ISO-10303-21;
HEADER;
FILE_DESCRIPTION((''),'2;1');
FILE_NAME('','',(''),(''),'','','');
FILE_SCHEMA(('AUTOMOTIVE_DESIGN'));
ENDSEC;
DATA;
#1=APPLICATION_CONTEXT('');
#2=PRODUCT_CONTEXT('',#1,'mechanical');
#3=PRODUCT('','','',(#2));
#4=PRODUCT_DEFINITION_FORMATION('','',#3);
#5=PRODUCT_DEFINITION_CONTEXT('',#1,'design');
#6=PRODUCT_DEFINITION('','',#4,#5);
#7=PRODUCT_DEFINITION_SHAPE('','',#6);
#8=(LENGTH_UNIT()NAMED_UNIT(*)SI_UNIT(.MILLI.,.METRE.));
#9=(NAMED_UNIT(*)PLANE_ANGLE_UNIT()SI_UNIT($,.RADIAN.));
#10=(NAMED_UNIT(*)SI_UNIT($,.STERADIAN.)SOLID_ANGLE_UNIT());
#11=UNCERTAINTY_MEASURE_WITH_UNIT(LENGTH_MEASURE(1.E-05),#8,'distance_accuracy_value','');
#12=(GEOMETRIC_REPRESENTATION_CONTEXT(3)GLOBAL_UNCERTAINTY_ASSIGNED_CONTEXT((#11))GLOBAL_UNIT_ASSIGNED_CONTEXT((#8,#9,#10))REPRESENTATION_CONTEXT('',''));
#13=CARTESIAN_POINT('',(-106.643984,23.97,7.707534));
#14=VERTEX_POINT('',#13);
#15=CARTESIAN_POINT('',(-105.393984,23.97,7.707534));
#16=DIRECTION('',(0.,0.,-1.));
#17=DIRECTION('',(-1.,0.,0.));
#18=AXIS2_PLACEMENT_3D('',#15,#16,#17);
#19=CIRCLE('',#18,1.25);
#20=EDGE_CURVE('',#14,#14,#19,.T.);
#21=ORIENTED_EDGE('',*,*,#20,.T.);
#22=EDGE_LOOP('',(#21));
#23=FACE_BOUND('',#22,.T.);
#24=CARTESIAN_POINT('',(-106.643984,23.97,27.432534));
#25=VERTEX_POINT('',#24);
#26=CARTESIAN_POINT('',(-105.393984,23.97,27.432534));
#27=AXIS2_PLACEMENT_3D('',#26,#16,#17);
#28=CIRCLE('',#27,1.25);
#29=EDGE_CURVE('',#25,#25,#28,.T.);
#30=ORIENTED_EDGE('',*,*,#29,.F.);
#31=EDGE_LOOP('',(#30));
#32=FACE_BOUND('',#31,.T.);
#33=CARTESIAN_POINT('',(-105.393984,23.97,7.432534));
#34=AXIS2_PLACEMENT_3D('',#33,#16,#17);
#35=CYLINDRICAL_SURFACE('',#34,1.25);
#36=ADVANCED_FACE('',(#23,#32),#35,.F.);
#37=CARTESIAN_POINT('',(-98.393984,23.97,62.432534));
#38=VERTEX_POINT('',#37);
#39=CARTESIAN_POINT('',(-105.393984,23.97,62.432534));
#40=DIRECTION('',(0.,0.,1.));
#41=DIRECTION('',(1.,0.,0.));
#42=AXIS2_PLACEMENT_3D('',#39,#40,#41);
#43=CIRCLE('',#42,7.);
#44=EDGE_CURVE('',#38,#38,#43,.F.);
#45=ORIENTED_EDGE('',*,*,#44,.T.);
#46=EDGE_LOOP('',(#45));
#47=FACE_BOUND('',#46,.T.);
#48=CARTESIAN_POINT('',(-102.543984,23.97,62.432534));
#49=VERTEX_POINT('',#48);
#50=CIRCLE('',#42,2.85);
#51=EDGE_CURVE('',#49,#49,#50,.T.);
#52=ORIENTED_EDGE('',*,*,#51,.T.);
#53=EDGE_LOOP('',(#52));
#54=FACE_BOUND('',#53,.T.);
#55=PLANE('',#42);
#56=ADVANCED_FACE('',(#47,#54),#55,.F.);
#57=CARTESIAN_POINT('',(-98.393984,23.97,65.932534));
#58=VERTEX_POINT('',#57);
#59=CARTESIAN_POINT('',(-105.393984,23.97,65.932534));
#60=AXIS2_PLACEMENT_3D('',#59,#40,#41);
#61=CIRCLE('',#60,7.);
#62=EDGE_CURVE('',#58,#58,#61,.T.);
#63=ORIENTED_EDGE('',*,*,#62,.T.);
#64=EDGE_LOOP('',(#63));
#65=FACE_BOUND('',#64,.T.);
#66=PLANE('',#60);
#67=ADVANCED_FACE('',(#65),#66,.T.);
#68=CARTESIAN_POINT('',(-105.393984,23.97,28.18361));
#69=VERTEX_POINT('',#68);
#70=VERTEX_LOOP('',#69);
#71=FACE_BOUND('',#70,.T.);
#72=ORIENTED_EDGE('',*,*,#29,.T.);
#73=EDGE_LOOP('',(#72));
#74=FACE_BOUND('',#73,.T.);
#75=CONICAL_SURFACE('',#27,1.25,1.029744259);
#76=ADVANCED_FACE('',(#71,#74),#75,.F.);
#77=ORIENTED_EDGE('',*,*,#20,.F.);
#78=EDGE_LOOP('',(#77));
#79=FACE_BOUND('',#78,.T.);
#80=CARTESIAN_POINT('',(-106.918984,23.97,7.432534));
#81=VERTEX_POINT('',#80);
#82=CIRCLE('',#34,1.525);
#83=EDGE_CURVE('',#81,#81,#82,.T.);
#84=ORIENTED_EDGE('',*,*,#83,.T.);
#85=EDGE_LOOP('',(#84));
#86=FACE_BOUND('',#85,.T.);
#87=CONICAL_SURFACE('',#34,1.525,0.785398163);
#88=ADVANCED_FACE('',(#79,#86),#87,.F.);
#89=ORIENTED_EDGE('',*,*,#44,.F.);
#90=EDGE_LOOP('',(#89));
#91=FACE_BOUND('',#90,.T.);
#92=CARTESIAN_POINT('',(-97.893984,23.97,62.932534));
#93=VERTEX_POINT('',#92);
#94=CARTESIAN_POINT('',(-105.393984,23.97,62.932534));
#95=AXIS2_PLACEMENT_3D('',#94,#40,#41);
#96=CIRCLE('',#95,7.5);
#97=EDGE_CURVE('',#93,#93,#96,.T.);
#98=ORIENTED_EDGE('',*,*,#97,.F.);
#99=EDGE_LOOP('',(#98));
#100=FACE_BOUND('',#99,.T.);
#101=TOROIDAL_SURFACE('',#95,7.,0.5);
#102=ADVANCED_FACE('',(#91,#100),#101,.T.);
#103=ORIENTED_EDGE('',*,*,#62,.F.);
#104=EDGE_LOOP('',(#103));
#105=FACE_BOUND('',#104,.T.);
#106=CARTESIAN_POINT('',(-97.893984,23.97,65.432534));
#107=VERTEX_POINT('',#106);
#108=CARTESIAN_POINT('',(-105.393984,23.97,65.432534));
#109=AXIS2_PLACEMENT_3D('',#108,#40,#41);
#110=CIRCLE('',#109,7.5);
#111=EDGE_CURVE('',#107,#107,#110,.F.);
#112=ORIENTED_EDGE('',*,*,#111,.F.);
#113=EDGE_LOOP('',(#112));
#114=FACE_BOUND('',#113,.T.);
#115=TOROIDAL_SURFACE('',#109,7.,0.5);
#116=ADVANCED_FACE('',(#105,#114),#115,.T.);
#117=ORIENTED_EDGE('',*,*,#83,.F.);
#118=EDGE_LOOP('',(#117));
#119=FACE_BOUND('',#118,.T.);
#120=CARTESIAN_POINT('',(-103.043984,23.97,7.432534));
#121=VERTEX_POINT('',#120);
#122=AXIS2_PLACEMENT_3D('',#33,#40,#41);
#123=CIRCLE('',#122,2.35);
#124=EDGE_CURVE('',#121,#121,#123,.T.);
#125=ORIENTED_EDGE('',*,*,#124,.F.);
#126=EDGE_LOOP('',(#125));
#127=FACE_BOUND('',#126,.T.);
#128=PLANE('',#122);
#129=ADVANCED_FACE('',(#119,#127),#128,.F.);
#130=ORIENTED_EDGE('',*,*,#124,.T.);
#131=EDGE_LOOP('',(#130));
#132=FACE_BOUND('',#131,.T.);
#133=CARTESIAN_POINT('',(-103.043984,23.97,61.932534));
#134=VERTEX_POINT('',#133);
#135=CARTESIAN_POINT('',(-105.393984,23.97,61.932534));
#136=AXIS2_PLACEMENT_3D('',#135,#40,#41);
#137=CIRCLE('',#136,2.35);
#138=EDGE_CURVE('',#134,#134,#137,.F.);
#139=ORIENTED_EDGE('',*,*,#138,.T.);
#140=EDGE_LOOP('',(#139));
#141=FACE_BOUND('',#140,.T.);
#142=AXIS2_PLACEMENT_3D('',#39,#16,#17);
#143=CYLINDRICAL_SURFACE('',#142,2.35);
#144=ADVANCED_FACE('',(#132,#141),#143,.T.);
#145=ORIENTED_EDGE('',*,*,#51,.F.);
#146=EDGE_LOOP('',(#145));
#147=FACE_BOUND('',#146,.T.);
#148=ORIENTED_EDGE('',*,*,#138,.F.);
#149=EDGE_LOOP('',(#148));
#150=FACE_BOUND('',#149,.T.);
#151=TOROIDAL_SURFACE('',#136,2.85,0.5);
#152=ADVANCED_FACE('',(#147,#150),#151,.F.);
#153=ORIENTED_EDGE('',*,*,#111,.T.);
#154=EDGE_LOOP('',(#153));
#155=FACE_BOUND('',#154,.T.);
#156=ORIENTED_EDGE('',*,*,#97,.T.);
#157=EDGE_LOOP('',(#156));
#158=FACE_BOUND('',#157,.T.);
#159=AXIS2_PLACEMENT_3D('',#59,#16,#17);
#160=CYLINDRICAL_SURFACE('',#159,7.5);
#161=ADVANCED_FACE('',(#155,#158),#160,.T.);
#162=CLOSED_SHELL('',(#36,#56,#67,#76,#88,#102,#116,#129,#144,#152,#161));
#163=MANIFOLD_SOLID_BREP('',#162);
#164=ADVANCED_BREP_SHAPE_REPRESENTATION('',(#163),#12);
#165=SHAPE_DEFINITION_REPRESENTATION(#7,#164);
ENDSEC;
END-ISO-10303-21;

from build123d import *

# Parameters (mm, degrees)
SKETCH2_R                       = 2.35
BOSS_EXTRUDE1_DEPTH             = 55
SKETCH3_R                       = 7.5
BOSS_EXTRUDE2_DEPTH             = 3.5
FILLET1_R                       = 0.5
M3X0_5_TAPPED_HOLE1_D           = 2.5
M3X0_5_TAPPED_HOLE1_DEPTH       = 20
M3X0_5_TAPPED_HOLE1_CSINK_D     = 3.05
M3X0_5_TAPPED_HOLE1_CSINK_ANGLE = 90
M3X0_5_TAPPED_HOLE1_TIP         = 0.751075774


with BuildPart() as part:
    # Sketch2 → Boss-Extrude1 (new body)
    with BuildSketch(Plane.XY.offset(7.432534475)):
        with Locations((-105.393983784, 23.97)):
            Circle(SKETCH2_R)
    extrude(amount=BOSS_EXTRUDE1_DEPTH)

    # Sketch3 → Boss-Extrude2 (add)
    with BuildSketch(Plane.XY.offset(62.432534475)):
        with Locations((-105.393983784, 23.97)):
            Circle(SKETCH3_R)
    extrude(amount=BOSS_EXTRUDE2_DEPTH)

    # Fillet1
    fillet1_edges = [part.edges().sort_by_distance(p)[0] for p in [
        (-107.743983784, 23.97, 62.432534475),
        (-112.893983784, 23.97, 62.432534475),
        (-112.893983784, 23.97, 65.932534475),
    ]]
    fillet(fillet1_edges, radius=FILLET1_R)

    # M3x0.5 Tapped Hole1
    with Locations(Plane(origin=(-105.393983784, 23.97, 7.432534475), x_dir=(-1, 0, 0), z_dir=(0, 0, -1))):
        with Locations((0, 0)):
            CounterSinkHole(M3X0_5_TAPPED_HOLE1_D / 2, M3X0_5_TAPPED_HOLE1_CSINK_D / 2, depth=M3X0_5_TAPPED_HOLE1_DEPTH, counter_sink_angle=M3X0_5_TAPPED_HOLE1_CSINK_ANGLE)
            with Locations((0, 0, -(M3X0_5_TAPPED_HOLE1_DEPTH + M3X0_5_TAPPED_HOLE1_TIP / 2))):  # 118° drill point
                Cone(0, M3X0_5_TAPPED_HOLE1_D / 2, M3X0_5_TAPPED_HOLE1_TIP, mode=Mode.SUBTRACT)


solid = part.part
